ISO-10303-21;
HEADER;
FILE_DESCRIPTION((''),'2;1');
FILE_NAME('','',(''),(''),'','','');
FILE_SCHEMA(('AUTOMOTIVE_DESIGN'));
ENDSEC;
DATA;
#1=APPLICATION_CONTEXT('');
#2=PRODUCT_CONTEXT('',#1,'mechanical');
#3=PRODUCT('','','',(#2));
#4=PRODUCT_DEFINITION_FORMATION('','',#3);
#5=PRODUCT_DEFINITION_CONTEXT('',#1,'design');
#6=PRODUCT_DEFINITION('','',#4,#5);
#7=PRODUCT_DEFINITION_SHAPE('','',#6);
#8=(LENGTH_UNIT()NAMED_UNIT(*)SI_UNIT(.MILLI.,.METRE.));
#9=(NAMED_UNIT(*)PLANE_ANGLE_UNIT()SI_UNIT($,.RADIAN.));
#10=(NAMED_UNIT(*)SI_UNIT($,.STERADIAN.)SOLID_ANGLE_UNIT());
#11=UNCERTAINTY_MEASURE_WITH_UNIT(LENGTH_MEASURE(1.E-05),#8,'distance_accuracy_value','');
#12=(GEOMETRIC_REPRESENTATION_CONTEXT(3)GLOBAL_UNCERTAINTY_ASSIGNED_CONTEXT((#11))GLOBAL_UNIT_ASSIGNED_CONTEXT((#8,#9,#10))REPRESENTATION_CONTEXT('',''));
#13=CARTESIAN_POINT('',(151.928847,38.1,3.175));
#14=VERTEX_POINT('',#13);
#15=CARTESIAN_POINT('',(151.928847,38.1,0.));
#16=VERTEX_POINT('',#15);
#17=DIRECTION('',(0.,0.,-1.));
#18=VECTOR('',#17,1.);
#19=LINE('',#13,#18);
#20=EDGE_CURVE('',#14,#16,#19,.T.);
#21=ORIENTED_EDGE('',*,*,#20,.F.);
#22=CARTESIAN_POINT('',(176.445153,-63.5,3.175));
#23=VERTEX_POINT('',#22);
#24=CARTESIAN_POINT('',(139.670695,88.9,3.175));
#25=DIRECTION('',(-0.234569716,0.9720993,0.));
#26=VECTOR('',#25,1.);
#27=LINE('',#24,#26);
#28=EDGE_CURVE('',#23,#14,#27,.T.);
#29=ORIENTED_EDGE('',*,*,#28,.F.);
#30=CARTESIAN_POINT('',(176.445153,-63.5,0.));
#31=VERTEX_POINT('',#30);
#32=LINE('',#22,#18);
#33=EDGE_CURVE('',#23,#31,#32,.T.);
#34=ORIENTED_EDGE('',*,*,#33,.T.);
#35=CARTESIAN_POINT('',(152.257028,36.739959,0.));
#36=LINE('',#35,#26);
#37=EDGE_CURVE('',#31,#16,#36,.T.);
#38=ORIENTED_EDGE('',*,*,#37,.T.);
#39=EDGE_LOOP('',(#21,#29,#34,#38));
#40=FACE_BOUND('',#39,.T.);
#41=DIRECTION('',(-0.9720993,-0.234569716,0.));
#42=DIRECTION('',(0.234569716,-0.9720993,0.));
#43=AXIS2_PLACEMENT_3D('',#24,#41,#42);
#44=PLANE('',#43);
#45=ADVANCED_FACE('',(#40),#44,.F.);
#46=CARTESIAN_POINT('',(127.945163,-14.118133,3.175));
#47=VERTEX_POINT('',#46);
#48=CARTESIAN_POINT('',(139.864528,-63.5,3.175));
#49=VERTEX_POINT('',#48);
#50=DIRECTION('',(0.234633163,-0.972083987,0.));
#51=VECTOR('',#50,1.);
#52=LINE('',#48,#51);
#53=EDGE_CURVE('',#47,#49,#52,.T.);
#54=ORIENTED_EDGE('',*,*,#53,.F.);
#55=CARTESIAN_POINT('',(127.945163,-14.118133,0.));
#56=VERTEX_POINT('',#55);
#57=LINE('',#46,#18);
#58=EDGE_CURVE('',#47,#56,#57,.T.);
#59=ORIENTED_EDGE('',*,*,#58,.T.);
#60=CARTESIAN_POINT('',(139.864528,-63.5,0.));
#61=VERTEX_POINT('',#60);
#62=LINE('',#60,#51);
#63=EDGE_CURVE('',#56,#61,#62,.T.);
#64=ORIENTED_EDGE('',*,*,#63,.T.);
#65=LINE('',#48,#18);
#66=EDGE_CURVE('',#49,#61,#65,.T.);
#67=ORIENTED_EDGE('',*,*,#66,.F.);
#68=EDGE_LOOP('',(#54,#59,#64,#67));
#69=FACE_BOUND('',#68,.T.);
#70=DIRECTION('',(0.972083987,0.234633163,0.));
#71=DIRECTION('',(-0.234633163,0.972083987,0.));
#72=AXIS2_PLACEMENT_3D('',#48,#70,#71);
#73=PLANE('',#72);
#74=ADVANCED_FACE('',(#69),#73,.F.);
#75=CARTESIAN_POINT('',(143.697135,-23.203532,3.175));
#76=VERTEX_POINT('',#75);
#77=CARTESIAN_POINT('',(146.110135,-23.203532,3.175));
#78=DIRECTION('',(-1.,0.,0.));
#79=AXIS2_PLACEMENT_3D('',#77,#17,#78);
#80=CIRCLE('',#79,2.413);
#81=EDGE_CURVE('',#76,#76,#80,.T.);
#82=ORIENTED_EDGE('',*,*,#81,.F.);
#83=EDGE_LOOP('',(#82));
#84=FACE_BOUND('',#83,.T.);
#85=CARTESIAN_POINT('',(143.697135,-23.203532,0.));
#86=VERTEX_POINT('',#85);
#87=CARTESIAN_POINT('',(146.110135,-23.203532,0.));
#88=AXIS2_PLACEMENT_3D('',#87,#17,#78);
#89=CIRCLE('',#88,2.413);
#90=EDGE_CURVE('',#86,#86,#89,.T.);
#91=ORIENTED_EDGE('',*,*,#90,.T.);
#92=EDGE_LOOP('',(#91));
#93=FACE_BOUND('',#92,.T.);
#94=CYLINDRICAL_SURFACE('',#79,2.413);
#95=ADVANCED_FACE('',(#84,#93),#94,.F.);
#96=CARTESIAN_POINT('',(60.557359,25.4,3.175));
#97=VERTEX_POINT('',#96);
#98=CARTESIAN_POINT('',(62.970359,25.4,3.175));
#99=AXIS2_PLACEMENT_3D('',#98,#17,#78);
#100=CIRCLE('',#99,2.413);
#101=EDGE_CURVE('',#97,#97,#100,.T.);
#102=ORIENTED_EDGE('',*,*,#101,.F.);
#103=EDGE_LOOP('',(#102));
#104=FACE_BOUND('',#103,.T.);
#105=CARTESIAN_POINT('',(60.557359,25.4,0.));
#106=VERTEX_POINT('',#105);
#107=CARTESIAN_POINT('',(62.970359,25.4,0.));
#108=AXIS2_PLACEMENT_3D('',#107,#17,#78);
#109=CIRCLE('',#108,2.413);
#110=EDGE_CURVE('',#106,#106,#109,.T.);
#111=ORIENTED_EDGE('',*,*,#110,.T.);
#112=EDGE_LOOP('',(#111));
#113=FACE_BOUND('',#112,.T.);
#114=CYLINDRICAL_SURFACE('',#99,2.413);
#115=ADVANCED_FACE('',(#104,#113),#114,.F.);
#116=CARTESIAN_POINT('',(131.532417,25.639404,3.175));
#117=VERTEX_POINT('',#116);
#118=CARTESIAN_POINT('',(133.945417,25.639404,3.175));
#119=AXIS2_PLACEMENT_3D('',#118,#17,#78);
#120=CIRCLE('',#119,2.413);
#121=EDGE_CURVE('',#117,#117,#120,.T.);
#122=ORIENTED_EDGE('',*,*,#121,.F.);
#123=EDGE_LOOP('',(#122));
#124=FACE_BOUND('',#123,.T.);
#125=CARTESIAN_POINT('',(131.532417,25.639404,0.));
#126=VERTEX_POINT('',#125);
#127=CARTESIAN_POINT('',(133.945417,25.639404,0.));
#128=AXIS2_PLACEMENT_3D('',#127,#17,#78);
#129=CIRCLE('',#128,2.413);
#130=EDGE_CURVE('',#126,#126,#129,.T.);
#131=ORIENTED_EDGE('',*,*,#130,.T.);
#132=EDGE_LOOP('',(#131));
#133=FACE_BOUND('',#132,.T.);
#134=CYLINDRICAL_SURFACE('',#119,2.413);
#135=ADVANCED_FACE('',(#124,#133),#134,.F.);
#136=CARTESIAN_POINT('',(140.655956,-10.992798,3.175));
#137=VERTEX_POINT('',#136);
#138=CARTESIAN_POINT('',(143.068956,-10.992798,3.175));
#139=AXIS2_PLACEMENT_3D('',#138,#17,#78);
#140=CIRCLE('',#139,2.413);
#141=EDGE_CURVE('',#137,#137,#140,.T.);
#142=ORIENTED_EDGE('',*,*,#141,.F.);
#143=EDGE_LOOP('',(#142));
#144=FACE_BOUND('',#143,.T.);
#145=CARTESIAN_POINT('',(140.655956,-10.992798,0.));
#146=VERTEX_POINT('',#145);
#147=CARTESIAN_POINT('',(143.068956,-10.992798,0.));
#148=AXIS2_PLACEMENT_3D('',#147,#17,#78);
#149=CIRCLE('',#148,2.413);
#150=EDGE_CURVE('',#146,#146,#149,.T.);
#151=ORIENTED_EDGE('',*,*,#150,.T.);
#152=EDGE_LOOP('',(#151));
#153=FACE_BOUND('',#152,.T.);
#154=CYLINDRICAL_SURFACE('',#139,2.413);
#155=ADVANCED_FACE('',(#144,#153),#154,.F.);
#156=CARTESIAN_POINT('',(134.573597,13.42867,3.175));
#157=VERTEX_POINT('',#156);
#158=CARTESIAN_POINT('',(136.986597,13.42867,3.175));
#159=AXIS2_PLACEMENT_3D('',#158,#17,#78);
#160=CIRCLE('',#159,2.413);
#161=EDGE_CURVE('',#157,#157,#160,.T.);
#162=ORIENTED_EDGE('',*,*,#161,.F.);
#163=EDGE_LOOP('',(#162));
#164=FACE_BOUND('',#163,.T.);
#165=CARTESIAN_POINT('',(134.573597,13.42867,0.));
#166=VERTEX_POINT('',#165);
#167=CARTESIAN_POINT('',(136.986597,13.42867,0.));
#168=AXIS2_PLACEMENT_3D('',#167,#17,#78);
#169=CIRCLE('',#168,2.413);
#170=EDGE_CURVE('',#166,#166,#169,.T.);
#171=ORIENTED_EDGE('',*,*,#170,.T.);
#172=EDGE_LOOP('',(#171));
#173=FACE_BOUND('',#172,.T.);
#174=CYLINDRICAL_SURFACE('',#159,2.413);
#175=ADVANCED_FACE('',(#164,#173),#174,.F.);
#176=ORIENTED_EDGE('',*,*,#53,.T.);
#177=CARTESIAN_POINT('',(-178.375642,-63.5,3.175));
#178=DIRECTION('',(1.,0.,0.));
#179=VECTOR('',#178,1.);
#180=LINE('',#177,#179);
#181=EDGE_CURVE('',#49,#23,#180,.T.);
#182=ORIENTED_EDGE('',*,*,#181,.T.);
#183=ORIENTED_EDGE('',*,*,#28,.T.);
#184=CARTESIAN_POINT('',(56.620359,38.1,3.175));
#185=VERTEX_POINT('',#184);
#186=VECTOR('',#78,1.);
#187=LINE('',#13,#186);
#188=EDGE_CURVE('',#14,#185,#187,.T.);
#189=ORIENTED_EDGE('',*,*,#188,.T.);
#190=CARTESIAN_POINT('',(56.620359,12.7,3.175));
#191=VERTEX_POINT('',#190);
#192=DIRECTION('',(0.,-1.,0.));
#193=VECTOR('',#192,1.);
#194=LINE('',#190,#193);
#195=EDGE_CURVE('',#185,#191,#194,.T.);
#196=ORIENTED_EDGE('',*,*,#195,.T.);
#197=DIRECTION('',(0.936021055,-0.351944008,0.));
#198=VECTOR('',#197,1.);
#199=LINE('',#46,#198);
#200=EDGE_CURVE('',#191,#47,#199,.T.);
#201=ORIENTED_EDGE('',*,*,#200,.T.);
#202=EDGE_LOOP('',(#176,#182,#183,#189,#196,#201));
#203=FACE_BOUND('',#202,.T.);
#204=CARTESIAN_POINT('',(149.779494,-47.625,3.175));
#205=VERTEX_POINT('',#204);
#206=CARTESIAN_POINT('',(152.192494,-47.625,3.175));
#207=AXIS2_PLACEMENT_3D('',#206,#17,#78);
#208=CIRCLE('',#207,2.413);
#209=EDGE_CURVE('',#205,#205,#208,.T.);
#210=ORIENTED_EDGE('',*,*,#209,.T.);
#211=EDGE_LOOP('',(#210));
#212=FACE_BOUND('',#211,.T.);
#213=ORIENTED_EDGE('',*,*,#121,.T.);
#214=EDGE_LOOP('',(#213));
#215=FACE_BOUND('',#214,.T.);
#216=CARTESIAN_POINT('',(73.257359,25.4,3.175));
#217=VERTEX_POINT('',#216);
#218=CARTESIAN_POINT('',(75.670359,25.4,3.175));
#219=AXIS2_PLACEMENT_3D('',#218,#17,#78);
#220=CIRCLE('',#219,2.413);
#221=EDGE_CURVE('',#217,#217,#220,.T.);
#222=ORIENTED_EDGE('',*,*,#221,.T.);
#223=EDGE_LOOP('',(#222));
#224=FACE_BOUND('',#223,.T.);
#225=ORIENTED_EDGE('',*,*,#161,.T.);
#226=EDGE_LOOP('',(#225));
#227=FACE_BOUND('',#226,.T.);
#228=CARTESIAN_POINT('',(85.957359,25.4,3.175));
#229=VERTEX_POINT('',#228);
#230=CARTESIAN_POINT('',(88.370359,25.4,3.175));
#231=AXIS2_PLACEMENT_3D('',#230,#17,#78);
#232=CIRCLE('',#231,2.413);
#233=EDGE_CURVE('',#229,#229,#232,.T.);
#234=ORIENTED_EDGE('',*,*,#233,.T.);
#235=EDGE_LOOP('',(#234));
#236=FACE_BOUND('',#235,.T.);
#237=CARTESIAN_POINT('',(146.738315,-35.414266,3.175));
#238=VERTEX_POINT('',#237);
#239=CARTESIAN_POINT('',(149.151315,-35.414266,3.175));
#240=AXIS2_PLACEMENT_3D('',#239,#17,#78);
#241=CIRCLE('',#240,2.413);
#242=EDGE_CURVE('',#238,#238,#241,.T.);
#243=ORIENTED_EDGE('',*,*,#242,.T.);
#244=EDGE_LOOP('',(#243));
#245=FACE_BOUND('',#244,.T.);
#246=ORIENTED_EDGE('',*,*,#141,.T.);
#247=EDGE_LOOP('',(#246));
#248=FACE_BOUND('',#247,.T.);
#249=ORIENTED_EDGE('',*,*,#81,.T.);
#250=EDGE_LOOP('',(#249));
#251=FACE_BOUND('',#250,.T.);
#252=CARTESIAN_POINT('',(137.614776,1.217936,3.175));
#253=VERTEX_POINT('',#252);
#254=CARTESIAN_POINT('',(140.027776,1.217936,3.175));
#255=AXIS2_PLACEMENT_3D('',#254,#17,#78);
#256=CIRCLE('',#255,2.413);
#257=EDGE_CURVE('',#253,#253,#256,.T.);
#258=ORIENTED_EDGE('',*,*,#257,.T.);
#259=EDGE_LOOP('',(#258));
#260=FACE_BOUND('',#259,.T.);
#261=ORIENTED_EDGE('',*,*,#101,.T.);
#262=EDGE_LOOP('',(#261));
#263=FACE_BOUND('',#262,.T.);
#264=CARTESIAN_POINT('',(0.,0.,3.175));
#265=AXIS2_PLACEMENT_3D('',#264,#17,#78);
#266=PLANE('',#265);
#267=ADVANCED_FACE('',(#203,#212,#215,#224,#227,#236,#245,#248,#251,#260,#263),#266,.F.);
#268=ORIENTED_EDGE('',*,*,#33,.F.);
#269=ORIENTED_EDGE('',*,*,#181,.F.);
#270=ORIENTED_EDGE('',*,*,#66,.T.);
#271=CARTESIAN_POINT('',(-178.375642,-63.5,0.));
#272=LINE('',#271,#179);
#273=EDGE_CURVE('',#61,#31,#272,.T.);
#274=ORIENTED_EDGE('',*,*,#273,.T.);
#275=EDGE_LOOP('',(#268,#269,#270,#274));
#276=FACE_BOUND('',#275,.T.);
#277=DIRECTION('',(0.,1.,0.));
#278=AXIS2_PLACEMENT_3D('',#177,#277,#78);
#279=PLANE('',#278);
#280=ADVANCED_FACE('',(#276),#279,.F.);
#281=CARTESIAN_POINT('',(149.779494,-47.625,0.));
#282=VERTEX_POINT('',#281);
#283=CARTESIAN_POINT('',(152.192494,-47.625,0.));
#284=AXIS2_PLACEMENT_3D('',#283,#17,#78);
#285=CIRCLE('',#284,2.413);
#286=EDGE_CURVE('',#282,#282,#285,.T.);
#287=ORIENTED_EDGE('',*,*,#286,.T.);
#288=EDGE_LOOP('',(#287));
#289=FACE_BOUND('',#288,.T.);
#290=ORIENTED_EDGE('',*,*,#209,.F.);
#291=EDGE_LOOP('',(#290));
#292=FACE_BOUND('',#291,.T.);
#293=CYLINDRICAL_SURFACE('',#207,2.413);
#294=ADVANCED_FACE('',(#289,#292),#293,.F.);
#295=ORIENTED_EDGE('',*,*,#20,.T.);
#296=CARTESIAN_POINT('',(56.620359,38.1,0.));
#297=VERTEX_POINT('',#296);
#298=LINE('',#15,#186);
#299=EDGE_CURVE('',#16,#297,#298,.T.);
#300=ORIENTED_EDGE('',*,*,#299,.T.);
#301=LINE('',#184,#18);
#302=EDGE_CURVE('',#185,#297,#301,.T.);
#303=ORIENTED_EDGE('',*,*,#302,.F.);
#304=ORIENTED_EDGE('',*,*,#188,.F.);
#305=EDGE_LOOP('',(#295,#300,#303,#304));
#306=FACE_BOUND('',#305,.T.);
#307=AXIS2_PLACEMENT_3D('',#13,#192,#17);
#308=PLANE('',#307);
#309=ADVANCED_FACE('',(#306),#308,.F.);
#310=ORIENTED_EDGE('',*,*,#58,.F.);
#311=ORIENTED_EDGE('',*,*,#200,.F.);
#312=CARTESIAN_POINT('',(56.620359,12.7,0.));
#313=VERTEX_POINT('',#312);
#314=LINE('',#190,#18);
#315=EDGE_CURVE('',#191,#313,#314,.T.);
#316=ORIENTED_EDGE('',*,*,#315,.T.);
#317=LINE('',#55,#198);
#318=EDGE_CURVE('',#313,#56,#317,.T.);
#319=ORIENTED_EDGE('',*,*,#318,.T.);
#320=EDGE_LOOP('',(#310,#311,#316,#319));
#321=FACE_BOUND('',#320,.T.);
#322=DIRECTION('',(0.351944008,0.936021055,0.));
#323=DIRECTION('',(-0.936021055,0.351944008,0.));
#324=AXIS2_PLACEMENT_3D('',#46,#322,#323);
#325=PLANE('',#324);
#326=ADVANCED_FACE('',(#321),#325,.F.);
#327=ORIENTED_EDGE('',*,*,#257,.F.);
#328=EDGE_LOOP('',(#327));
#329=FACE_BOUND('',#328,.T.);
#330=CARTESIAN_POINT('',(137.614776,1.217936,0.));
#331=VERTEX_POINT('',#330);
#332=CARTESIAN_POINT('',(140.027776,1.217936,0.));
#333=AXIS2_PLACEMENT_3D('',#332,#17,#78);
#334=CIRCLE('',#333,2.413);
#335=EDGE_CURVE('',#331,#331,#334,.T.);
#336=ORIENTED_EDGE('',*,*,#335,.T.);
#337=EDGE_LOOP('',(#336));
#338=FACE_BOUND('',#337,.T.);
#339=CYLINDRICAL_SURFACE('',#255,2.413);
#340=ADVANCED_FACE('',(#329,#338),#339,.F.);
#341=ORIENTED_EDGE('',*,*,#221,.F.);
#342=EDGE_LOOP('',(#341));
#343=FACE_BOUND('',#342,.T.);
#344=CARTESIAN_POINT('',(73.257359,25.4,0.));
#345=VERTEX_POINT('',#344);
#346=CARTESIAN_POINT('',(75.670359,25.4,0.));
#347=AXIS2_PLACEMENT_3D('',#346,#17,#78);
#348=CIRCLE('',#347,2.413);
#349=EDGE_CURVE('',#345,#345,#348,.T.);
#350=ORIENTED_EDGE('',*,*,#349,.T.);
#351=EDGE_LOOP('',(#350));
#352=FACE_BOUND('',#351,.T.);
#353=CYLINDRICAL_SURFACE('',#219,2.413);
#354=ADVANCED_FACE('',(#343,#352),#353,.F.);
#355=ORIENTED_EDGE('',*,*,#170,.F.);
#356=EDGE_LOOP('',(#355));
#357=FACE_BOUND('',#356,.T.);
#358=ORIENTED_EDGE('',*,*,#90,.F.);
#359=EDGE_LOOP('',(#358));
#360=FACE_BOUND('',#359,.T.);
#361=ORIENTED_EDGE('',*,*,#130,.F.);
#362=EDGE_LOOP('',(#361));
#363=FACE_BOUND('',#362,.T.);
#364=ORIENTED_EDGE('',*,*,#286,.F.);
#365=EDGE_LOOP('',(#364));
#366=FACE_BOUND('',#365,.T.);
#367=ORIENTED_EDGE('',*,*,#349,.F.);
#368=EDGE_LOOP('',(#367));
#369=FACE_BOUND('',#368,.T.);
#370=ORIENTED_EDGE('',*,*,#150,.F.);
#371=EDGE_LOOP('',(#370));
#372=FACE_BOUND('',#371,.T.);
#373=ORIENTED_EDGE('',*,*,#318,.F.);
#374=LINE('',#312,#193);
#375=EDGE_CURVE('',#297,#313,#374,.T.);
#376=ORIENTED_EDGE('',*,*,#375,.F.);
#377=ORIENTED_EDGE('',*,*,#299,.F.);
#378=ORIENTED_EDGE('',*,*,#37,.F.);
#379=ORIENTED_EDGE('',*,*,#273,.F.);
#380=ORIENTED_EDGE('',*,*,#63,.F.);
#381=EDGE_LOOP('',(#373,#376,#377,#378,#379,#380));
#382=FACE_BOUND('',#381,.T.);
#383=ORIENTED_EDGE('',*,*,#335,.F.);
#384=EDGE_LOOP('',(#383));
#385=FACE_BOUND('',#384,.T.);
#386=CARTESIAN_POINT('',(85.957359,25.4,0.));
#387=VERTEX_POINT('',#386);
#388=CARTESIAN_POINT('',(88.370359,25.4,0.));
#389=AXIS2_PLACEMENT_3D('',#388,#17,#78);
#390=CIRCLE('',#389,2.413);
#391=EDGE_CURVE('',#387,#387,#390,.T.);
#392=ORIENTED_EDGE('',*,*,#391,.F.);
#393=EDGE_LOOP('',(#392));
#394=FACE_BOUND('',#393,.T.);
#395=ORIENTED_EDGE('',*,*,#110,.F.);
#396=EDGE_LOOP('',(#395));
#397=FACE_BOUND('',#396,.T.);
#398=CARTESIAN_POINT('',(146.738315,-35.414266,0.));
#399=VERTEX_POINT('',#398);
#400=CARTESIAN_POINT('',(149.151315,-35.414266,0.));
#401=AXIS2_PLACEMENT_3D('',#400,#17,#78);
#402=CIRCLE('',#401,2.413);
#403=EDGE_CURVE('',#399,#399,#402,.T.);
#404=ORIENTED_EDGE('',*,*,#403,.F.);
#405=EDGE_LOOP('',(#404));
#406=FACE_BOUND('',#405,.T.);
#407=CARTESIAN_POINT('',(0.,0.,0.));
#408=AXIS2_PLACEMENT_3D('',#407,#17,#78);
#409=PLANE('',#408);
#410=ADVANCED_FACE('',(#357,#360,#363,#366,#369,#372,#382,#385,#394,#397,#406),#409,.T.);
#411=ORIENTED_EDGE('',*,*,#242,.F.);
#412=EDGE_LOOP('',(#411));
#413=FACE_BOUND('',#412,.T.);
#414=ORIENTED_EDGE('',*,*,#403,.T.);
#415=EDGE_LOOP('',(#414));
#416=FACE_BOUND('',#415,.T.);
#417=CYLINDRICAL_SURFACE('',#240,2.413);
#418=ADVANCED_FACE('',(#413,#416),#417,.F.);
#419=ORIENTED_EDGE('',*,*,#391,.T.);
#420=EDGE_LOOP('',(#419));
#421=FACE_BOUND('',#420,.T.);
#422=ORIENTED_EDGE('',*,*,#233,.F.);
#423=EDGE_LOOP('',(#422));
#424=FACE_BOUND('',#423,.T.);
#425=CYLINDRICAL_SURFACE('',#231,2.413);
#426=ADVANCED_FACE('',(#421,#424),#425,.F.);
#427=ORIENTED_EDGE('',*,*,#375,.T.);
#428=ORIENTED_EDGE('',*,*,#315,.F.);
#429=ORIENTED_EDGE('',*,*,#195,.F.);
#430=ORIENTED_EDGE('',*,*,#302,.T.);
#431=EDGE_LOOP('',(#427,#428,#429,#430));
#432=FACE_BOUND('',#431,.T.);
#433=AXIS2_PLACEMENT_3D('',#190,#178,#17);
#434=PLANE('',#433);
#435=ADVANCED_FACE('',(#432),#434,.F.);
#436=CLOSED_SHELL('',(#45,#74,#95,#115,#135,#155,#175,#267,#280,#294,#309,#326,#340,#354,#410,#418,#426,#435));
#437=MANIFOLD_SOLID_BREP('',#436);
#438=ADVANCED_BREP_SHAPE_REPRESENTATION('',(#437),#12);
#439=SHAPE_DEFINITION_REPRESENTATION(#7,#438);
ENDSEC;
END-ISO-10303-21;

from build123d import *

# Parameters (mm, degrees)
SKETCH1_W           = 381
SKETCH1_H           = 177.8
BOSS_EXTRUDE1_DEPTH = 3.175
CUT_EXTRUDE1_DEPTH  = 211.246380766
CUT_EXTRUDE2_DEPTH  = 205.829884405
CUT_EXTRUDE3_DEPTH  = 200.326767223
SKETCH9_R           = 2.413
CUT_EXTRUDE5_DEPTH  = 200.326767223
CUT_EXTRUDE6_DEPTH  = 200.326767223
CUT_EXTRUDE7_DEPTH  = 190.367896253
SKETCH12_R          = 2.413
CUT_EXTRUDE8_DEPTH  = 188.550586603


with BuildPart() as part:
    # Sketch1 → Boss-Extrude1 (new body)
    with BuildSketch(Plane.XY):
        Rectangle(SKETCH1_W, SKETCH1_H)
    extrude(amount=BOSS_EXTRUDE1_DEPTH)

    # Sketch3 → Cut-Extrude1 (cut, through all)
    with BuildSketch(Plane(origin=(0, 0, 0), x_dir=(-1, 0, 0), z_dir=(0, 0, -1))):
        Polygon((-190.5, 88.9), (-139.670694847, 88.9), (-190.5, -121.745827518), align=None)
        Polygon((190.5, 88.9), (141.601183723, 88.9), (190.5, -113.745532698), align=None)
    extrude(amount=-CUT_EXTRUDE1_DEPTH, mode=Mode.SUBTRACT)

    # Sketch4 → Cut-Extrude2 (cut, through all)
    with BuildSketch(Plane(origin=(0, 0, 0), x_dir=(-1, 0, 0), z_dir=(0, 0, -1))):
        Polygon((178.375641573, -63.5), (-176.445152697, -63.5), (-182.574229005, -88.9), (184.504717881, -88.9), align=None)
    extrude(amount=-CUT_EXTRUDE2_DEPTH, mode=Mode.SUBTRACT)

    # Sketch8 → Cut-Extrude3 (cut, through all)
    with BuildSketch(Plane(origin=(0, 0, 0), x_dir=(-1, 0, 0), z_dir=(0, 0, -1))):
        Polygon((-139.864527638, -63.5), (-127.945162942, -14.118133437), (132.284027695, -14.118133437), (144.203392391, -63.5), align=None)
    extrude(amount=-CUT_EXTRUDE3_DEPTH, mode=Mode.SUBTRACT)

    # Sketch9 → Cut-Extrude5 (cut, through all)
    with BuildSketch(Plane(origin=(0, 0, 0), x_dir=(-1, 0, 0), z_dir=(0, 0, -1))):
        with Locations((-152.192493977, -47.625)):
            Circle(SKETCH9_R)
        with Locations((-149.151314542, -35.414265987)):
            Circle(SKETCH9_R)
        with Locations((-146.110135107, -23.203531973)):
            Circle(SKETCH9_R)
        with Locations((-143.068955672, -10.99279796)):
            Circle(SKETCH9_R)
        with Locations((-140.027776237, 1.217936053)):
            Circle(SKETCH9_R)
        with Locations((-136.986596801, 13.428670067)):
            Circle(SKETCH9_R)
        with Locations((-133.945417366, 25.63940408)):
            Circle(SKETCH9_R)
        with Locations((-124.821879061, 62.27160612)):
            Circle(SKETCH9_R)
        with Locations((-121.780699626, 74.482340133)):
            Circle(SKETCH9_R)
    extrude(amount=-CUT_EXTRUDE5_DEPTH, mode=Mode.SUBTRACT)

    # Sketch10 → Cut-Extrude6 (cut, through all)
    with BuildSketch(Plane(origin=(0, 0, 0), x_dir=(-1, 0, 0), z_dir=(0, 0, -1))):
        Polygon((-139.670694847, 88.9), (-151.928847464, 38.1), (153.859336339, 38.1), (141.601183723, 88.9), align=None)
    extrude(amount=-CUT_EXTRUDE6_DEPTH, mode=Mode.SUBTRACT)

    # Sketch11 → Cut-Extrude7 (cut, through all)
    with BuildSketch(Plane(origin=(0, 0, 0), x_dir=(-1, 0, 0), z_dir=(0, 0, -1))):
        Polygon((-127.945162942, -14.118133437), (-56.620358568, 12.7), (-56.620358568, 38.1), (60.959223321, 38.1), (153.859336339, 38.1), (178.375641573, -63.5), (144.203392391, -63.5), (132.284027695, -14.118133437), align=None)
    extrude(amount=-CUT_EXTRUDE7_DEPTH, mode=Mode.SUBTRACT)

    # Sketch12 → Cut-Extrude8 (cut, through all)
    with BuildSketch(Plane(origin=(0, 0, 0), x_dir=(-1, 0, 0), z_dir=(0, 0, -1))):
        with Locations((-62.970358568, 25.4)):
            Circle(SKETCH12_R)
        with Locations((-75.670358568, 25.4)):
            Circle(SKETCH12_R)
        with Locations((-88.370358568, 25.4)):
            Circle(SKETCH12_R)
    extrude(amount=-CUT_EXTRUDE8_DEPTH, mode=Mode.SUBTRACT)


solid = part.part
